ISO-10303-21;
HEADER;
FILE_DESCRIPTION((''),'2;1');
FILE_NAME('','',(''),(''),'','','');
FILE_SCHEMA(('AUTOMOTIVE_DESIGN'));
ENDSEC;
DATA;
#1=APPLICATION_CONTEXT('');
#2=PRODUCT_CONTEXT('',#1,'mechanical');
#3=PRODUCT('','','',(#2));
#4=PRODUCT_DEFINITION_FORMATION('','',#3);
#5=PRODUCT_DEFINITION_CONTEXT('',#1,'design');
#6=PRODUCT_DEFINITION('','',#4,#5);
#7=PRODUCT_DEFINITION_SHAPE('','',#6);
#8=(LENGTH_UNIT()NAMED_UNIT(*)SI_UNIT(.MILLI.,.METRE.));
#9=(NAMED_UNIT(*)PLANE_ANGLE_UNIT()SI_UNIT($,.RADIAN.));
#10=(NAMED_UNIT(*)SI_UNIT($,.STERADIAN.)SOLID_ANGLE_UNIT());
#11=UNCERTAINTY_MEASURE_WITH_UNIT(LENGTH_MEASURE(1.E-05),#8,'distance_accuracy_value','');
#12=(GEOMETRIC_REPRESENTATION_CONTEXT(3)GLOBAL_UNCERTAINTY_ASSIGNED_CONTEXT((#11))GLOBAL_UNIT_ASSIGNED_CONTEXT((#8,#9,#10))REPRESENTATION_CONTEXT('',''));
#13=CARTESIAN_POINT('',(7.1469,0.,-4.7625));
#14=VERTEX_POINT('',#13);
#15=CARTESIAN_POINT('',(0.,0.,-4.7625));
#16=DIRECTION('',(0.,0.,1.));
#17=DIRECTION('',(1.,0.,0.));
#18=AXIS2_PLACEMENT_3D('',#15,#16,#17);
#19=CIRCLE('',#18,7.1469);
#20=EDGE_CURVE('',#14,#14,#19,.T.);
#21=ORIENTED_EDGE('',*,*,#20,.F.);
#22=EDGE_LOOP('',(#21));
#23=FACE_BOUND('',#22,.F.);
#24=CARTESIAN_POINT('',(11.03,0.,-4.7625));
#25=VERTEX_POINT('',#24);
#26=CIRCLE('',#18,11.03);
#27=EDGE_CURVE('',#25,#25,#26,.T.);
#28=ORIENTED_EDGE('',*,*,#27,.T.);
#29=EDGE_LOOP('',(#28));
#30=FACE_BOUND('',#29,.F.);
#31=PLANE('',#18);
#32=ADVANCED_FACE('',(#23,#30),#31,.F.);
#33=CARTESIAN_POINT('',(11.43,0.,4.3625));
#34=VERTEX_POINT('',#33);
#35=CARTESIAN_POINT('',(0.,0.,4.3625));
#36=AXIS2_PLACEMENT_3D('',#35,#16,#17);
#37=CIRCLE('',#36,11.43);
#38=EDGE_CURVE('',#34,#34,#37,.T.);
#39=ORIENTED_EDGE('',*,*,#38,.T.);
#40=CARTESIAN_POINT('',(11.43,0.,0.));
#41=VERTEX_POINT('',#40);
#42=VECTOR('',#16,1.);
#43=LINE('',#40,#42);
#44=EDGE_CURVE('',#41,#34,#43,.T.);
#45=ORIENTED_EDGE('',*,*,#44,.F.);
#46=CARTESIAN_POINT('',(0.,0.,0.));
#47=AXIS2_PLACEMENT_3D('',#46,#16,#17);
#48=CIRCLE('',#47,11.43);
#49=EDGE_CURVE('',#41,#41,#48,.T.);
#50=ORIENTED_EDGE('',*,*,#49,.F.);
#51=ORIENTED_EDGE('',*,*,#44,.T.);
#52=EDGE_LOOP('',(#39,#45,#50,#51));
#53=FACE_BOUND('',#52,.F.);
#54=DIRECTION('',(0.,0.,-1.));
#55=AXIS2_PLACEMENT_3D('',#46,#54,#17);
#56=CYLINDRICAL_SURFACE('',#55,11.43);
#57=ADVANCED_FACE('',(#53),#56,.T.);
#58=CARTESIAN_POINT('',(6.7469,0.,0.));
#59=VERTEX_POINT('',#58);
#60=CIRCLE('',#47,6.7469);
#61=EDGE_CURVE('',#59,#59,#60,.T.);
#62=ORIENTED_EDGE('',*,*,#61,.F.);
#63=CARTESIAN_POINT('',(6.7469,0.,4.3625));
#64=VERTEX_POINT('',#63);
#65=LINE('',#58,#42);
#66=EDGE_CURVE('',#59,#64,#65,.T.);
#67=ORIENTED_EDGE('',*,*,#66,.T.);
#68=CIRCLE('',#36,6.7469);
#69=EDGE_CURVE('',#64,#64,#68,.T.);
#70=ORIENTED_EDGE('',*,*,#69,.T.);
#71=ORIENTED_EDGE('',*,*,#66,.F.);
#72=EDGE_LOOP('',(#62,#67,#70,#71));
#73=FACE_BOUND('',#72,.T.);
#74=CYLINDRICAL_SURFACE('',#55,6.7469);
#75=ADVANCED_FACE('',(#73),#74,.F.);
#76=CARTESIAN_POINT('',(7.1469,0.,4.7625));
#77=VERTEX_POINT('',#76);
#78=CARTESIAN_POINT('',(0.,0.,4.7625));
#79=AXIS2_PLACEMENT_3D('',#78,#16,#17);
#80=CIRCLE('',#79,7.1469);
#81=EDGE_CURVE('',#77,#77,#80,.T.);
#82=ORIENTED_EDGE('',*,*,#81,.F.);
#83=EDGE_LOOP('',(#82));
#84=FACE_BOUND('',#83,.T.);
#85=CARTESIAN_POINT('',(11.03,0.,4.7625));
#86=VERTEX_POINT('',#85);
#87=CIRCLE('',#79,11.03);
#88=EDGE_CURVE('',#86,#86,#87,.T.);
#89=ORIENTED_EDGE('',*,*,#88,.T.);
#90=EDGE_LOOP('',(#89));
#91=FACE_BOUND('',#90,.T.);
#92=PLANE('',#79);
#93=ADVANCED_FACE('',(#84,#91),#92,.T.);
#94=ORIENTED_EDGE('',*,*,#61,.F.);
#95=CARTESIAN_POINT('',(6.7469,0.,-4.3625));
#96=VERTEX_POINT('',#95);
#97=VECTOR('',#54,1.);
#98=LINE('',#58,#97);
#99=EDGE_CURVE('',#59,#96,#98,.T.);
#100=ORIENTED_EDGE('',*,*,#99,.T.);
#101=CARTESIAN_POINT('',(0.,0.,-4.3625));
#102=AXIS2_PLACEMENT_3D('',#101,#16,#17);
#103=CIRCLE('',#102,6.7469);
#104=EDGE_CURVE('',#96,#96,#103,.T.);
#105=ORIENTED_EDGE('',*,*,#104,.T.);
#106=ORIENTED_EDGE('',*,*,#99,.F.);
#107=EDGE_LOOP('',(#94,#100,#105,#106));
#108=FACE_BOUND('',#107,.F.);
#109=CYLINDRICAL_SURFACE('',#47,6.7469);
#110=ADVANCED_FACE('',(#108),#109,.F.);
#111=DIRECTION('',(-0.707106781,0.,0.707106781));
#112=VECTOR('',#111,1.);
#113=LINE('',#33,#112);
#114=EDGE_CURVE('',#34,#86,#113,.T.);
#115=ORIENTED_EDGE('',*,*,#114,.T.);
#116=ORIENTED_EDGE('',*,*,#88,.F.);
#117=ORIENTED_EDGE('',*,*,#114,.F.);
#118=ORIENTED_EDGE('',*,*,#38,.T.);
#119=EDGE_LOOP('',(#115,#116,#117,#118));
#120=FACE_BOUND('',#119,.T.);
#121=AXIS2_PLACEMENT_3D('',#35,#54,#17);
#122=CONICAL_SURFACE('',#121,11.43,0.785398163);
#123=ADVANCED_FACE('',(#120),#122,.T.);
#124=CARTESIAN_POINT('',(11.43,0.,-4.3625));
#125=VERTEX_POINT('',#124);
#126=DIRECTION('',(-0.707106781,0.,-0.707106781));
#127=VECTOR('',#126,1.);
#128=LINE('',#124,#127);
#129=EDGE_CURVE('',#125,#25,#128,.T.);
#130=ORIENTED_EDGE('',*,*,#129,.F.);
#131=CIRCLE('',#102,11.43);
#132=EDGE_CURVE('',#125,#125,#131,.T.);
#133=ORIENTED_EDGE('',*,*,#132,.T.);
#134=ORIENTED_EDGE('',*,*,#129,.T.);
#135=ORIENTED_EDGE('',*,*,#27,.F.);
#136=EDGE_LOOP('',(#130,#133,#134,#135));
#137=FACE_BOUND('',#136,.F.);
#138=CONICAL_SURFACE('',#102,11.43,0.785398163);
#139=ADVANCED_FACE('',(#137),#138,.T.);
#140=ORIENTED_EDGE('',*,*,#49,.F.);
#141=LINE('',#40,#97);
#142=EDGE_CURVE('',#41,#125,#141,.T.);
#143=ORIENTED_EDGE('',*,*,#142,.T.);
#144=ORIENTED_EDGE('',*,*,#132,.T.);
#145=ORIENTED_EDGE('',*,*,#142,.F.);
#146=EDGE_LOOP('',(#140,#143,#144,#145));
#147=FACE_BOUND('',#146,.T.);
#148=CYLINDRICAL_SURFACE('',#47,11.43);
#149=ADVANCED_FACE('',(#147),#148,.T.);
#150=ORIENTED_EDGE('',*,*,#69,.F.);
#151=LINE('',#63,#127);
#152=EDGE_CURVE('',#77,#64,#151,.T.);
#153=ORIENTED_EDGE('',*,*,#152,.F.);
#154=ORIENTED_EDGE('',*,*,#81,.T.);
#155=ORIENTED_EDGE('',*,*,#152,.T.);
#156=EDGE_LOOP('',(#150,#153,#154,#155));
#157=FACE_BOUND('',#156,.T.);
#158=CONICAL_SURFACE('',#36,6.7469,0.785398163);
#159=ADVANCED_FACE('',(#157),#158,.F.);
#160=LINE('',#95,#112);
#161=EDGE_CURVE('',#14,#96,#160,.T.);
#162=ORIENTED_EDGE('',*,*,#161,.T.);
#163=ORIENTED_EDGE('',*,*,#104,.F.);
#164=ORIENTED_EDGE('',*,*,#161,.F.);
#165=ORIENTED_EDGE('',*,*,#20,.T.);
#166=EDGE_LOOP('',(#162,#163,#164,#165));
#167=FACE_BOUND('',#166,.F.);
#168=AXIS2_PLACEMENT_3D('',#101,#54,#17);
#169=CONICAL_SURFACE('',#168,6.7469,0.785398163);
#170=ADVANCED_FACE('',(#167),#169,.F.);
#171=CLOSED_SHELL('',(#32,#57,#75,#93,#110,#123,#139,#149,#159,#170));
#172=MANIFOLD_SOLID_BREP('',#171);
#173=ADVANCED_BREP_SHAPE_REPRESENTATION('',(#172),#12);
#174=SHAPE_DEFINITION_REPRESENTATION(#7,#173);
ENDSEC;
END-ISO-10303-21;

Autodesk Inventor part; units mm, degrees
ref_plane "YZ Plane" through (0, 0, 0) normal (1, 0, 0) x (0, 1, 0)
ref_plane "XZ Plane" through (0, 0, 0) normal (0, 1, 0) x (-1, 0, 0)
ref_plane "XY Plane" through (0, 0, 0) normal (0, 0, 1) x (1, 0, 0)
sketch "Sketch1" plane through (0, 0, 0) normal (0, 0, 1) x (1, 0, 0)
  circle A0 centre (0, 0) radius 11.43
  circle A1 centre (0, 0) radius 6.7469
  dimension "d0" = 22.86
  dimension "d1" = 13.4938
extrude "Extrusion1" add sketch "Sketch1" along normal mid plane 9.525
chamfer "Chamfer1" distance 0.4 angle 45 4 edges at (-11.43, 0, 4.7625) (-11.43, 0, -4.7625) (-6.7469, 0, 4.7625) (-6.7469, 0, -4.7625)
sketch "Sketch2" plane through (0, 0, 0) normal (1, 0, 0) x (0, 1, 0)
  point P0 (0, 0)
properties part number "3d printed nut" material "ABS Plastic"
